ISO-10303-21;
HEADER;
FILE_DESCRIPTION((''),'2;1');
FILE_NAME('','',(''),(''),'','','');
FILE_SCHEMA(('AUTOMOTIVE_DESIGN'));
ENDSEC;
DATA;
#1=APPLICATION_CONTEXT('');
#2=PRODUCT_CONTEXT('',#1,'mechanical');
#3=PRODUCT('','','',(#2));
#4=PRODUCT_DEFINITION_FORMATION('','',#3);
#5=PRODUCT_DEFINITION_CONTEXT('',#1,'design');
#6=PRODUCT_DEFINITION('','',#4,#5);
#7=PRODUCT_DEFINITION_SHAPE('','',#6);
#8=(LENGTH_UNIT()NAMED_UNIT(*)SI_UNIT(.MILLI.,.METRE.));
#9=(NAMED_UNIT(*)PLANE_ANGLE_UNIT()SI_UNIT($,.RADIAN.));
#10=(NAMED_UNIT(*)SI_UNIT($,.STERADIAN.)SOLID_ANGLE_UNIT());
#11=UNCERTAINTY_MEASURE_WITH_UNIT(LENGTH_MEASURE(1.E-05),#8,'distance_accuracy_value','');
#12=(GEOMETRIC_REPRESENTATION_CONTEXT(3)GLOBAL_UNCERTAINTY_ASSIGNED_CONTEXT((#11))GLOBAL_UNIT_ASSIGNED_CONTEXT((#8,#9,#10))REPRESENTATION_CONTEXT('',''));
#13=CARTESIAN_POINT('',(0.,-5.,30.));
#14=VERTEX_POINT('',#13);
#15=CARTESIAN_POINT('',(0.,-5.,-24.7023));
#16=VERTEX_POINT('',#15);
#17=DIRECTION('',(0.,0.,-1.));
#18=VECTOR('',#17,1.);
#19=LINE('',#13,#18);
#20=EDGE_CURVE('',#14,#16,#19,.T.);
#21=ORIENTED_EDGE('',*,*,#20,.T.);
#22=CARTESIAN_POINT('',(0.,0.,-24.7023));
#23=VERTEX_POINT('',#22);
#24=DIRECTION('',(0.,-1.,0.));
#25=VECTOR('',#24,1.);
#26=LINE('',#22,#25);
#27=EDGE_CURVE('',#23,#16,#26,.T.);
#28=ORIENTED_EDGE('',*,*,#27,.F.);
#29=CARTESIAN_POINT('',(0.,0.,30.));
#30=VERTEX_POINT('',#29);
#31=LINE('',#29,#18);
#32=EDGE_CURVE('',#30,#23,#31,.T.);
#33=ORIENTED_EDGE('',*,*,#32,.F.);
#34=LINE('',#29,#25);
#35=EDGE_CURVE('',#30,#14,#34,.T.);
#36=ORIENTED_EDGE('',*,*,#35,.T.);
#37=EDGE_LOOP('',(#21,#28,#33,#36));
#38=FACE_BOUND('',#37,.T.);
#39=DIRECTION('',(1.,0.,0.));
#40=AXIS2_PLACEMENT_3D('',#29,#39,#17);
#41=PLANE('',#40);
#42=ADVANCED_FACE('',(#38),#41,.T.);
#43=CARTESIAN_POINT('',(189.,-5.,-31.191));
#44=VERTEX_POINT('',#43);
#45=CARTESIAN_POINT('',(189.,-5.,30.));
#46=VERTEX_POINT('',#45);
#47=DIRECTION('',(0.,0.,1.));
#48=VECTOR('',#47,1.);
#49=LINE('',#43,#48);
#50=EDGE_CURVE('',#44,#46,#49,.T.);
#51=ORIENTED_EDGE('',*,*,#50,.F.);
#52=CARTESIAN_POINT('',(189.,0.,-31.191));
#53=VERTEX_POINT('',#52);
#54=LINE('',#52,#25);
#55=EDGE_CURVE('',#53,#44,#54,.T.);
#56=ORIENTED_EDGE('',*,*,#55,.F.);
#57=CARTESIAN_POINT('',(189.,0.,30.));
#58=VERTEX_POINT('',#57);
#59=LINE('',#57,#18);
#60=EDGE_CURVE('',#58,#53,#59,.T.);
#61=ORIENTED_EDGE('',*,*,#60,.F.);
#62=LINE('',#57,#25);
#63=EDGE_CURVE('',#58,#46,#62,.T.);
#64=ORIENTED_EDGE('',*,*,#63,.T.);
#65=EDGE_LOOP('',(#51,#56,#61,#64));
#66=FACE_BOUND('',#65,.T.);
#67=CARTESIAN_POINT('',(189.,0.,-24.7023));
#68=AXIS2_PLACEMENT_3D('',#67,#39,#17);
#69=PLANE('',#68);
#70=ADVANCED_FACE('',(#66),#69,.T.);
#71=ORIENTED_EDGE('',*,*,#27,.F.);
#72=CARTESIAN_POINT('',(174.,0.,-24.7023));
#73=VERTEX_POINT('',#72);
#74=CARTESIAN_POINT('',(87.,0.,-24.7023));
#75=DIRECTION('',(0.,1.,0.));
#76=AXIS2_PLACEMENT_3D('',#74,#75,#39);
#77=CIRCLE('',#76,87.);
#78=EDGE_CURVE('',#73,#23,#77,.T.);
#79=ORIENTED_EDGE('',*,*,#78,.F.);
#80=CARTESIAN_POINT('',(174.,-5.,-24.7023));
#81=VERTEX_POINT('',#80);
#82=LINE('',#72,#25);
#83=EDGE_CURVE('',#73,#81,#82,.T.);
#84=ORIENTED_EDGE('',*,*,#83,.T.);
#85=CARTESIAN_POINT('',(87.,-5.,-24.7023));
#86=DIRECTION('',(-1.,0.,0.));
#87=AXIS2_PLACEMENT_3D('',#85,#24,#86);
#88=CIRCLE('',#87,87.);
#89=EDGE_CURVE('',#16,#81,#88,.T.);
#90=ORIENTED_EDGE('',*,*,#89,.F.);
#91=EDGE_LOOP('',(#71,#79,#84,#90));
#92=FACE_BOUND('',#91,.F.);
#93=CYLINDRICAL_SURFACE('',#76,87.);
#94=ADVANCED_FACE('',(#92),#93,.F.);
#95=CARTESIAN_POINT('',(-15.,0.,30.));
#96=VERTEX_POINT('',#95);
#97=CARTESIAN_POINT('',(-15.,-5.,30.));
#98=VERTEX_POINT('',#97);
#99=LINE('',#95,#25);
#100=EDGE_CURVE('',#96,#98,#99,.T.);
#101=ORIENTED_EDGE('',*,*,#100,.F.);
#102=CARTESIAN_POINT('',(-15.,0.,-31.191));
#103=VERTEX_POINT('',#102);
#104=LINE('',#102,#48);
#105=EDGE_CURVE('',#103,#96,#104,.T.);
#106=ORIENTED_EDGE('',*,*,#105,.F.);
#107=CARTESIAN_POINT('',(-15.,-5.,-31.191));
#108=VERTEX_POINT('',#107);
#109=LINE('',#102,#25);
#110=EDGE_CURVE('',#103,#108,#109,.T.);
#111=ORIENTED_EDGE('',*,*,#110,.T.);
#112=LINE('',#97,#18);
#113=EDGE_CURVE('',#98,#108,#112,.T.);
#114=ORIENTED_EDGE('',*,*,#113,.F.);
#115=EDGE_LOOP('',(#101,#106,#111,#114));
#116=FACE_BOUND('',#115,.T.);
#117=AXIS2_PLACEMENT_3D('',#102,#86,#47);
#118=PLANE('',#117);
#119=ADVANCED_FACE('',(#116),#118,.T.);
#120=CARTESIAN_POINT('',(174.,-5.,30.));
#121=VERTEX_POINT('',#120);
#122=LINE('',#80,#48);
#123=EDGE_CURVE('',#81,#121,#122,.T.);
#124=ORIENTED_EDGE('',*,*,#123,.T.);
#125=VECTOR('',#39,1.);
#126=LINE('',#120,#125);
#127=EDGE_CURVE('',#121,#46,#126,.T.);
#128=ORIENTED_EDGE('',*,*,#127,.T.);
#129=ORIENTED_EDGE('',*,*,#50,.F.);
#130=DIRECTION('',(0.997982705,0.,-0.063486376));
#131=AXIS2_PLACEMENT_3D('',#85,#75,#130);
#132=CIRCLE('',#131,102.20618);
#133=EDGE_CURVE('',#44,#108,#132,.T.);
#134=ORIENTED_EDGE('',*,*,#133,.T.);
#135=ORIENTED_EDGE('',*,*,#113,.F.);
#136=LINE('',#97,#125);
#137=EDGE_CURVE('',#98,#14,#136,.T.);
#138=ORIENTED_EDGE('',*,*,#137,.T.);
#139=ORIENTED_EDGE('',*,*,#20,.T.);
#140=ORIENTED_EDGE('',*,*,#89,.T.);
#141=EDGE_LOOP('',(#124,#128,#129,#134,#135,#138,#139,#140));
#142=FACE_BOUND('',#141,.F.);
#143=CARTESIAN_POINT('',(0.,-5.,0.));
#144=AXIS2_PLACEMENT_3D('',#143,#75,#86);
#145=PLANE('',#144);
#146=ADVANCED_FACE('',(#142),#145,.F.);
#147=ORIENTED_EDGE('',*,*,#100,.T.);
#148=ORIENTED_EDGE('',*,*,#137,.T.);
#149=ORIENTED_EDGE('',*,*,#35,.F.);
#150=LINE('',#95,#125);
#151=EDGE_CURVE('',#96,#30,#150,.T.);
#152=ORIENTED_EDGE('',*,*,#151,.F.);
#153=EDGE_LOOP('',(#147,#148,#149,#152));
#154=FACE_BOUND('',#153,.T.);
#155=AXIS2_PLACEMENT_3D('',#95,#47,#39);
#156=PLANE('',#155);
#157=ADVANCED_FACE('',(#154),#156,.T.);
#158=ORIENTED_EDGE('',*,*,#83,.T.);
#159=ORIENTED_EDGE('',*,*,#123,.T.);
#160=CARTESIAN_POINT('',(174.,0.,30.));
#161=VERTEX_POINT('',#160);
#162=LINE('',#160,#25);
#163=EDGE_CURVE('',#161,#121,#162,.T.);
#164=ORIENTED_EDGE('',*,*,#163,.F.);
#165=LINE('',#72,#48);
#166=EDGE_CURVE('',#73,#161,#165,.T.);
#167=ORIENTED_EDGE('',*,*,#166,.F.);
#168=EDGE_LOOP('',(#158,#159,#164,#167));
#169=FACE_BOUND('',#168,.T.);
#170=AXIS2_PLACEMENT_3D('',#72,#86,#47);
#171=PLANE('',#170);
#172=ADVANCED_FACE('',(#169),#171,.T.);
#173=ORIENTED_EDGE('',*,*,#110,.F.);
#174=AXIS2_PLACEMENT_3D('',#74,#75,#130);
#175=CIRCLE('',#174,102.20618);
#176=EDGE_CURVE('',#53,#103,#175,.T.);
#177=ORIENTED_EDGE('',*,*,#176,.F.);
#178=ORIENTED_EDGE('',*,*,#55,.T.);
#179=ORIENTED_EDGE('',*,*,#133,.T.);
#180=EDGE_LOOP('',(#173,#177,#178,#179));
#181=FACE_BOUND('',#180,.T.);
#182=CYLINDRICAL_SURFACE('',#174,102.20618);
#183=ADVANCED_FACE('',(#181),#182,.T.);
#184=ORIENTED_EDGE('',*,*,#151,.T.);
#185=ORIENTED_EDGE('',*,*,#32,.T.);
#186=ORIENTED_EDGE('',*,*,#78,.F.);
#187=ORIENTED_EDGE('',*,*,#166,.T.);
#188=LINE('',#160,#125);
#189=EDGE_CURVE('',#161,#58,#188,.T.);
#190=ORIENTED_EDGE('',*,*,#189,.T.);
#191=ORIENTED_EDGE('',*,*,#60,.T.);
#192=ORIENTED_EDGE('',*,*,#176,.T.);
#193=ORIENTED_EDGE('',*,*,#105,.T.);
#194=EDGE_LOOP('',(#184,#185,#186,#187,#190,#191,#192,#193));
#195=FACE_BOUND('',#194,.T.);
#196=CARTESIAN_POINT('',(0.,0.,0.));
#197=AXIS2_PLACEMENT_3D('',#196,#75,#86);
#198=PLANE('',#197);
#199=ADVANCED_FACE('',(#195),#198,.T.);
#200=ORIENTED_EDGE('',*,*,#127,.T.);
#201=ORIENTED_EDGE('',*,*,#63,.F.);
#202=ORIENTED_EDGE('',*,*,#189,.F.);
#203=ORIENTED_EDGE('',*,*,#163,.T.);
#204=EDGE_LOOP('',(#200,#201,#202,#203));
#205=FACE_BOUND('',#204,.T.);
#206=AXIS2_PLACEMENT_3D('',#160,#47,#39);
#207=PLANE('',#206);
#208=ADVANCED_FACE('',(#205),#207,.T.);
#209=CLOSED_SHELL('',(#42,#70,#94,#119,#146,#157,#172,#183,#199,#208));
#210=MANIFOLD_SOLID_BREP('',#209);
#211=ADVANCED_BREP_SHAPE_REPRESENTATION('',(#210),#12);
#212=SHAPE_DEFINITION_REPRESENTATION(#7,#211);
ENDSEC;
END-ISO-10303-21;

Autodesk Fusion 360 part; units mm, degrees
sketch "Sketch1" plane through (0, 0, 0) normal (0, 1, 0) x (1, 0, 0)
  line L0 (0, 0) -> (174, 0)
  line L1 (174, 0) -> (174, 102)
  line L2 (174, 102) -> (0, 102)
  line L3 (0, 102) -> (0, 0)
  line L4 (87, 102) -> (87, 0) construction
  arc A0 (26, 54) -> (0, 0) centre (69.0769, 0) ccw
  arc A1 (65, 80) -> (26, 54) centre (197.4493, -160.9239) ccw
  arc A2 (148, 54) -> (109, 80) centre (-23.4493, -160.9239) ccw
  arc A3 (174, 0) -> (148, 54) centre (104.9231, 0) ccw
  arc A4 (109, 80) -> (65, 80) centre (87, 80) ccw
  arc A5 (184, 0) -> (154.2361, 61.8174) centre (104.9231, 0) ccw
  arc A6 (154.2361, 61.8174) -> (118.3954, 86.1912) centre (-23.4493, -160.9239) ccw
  arc A7 (118.3954, 86.1912) -> (55.6046, 86.1912) centre (87, 80) ccw
  arc A8 (55.6046, 86.1912) -> (19.7639, 61.8174) centre (197.4493, -160.9239) ccw
  arc A9 (19.7639, 61.8174) -> (-10, 0) centre (69.0769, 0) ccw
  line L5 (-10, 0) -> (0, 0)
  line L6 (0, 0) -> (0, -30)
  line L7 (0, -30) -> (-10, -30)
  line L8 (-10, -30) -> (-10, 0)
  line L9 (174, 0) -> (184, 0)
  line L10 (184, 0) -> (184, -30)
  line L11 (184, -30) -> (174, -30)
  line L12 (174, -30) -> (174, 0)
  point P0 (26, 54)
  point P1 (65, 80)
  point P2 (148, 54)
  point P3 (109, 80)
  dimension "d1" = 174
  dimension "d2" = 102
  dimension "d3" = 54
  dimension "d5" = 61
  dimension "d6" = 22
  dimension "d7" = 80
  dimension "d8" = 10
  dimension "d9" = 30
  dimension "d10" = 30
sketch "Sketch2" plane through (0, 0, 0) normal (0, 1, 0) x (1, 0, 0)
  arc A0 (26, 54) -> (0, 0) centre (69.0769, 0) ccw
  arc A1 (65, 80) -> (26, 54) centre (197.4493, -160.9239) ccw
  arc A2 (109, 80) -> (65, 80) centre (87, 80) ccw
  arc A3 (148, 54) -> (109, 80) centre (-23.4493, -160.9239) ccw
  arc A4 (174, 0) -> (148, 54) centre (104.9231, 0) ccw
  line L0 (174, -30) -> (174, 0)
  line L1 (184, -30) -> (174, -30)
  line L2 (184, 0) -> (184, -30)
  arc A5 (184, 0) -> (154.2361, 61.8174) centre (104.9231, 0) ccw
  arc A6 (154.2361, 61.8174) -> (118.3954, 86.1912) centre (-23.4493, -160.9239) ccw
  arc A7 (118.3954, 86.1912) -> (55.6046, 86.1912) centre (87, 80) ccw
  arc A8 (55.6046, 86.1912) -> (19.7639, 61.8174) centre (197.4493, -160.9239) ccw
  arc A9 (19.7639, 61.8174) -> (-10, 0) centre (69.0769, 0) ccw
  line L3 (-10, -30) -> (-10, 0)
  line L4 (0, -30) -> (-10, -30)
  line L5 (0, 0) -> (0, -30)
sketch "Sketch3" plane through (0, 0, 0) normal (0, 1, 0) x (1, 0, 0)
  arc A0 (118.3954, 86.1912) -> (55.6046, 86.1912) centre (87, 80) ccw
  arc A1 (55.6046, 86.1912) -> (19.7639, 61.8174) centre (197.4493, -160.9239) ccw
  arc A2 (19.7639, 61.8174) -> (-10, 0) centre (69.0769, 0) ccw
  line L0 (-10, -30) -> (-10, 0)
  arc A3 (154.2361, 61.8174) -> (118.3954, 86.1912) centre (-23.4493, -160.9239) ccw
  arc A4 (184, 0) -> (154.2361, 61.8174) centre (104.9231, 0) ccw
  line L1 (184, 0) -> (184, -30)
  line L2 (184, -30) -> (174, -30)
  line L3 (0, -30) -> (-10, -30)
  line L4 (0, 0) -> (0, -30)
  arc A5 (26, 54) -> (0, 0) centre (69.0769, 0) ccw
  arc A6 (65, 80) -> (26, 54) centre (197.4493, -160.9239) ccw
  arc A7 (109, 80) -> (65, 80) centre (87, 80) ccw
  arc A8 (148, 54) -> (109, 80) centre (-23.4493, -160.9239) ccw
  arc A9 (174, 0) -> (148, 54) centre (104.9231, 0) ccw
  line L5 (174, -30) -> (174, 0)
  line L6 (-10, -30) -> (-10, 35.6948)
  line L7 (-10, 35.6948) -> (87, 123.0677)
  line L8 (87, 123.0677) -> (184, 35.6948)
  line L9 (184, 35.6948) -> (184, -30)
  line L10 (-10, -30) -> (0, -30)
  line L11 (0, 24.7023) -> (87, 103.0677)
  line L12 (87, 103.0677) -> (174, 24.7023)
  line L13 (0, 24.7023) -> (0, -30)
  line L14 (174, 24.7023) -> (174, -30)
  line L15 (-10, -30) -> (0, -30)
  line L16 (174, -30) -> (184, -30)
  line L17 (184, -30) -> (189, -30)
  line L18 (189, -30) -> (189, 31.191)
  line L19 (189, 31.191) -> (184, 35.6948)
  line L20 (-10, 35.6948) -> (-15, 31.191)
  line L21 (-15, 31.191) -> (-15, -30)
  line L22 (-15, -30) -> (-10, -30)
  dimension "d11" = 20
  dimension "d14" = 5
  dimension "d15" = 5
extrude "Extrude1" add sketch "Sketch3" along normal blind 5 contours A0 A1 A2 L0 A3 A4 L1 L2 L3 L4 A5 A6 A7 A8 A9 L5 L6 L9 L10 L11 L12 L13 L14 L15 L16 | A0 A3 A4 L8 L9 | A0 L7 L8 | A0 A1 A2 L6 L7 | L1 L9 L17 L18 L19 | L0 L6 L20 L21 L22 | A8 A9 L12 | A5 A6 L11 | A7 L12 | A7 L11 makes body 1
sketch "Sketch4" plane through (0, 0, 0) normal (0, 1, 0) x (-1, 0, 0)
  line L0 (-87, -123.0677) -> (15, -31.191)
  line L1 (15, -31.191) -> (15, 30)
  line L2 (15, 30) -> (0, 30)
  line L3 (0, 30) -> (0, -24.7023)
  line L4 (0, -24.7023) -> (-87, -103.0677)
  line L5 (-87, -103.0677) -> (-174, -24.7023)
  line L6 (-174, -24.7023) -> (-174, 30)
  line L7 (-174, 30) -> (-189, 30)
  line L8 (-189, 30) -> (-189, -31.191)
  line L9 (-189, -31.191) -> (-87, -123.0677)
  line L10 (0, -24.7023) -> (-174, -24.7023)
  arc A0 (-189, -31.191) -> (15, -31.191) centre (-87, -24.7023) ccw
  arc A1 (-174, -24.7023) -> (0, -24.7023) centre (-87, -24.7023) ccw
  line L11 (0, -24.7023) -> (15, -24.7023)
  line L12 (15, -24.7023) -> (15, 30)
  line L13 (15, 30) -> (0, 30)
  line L14 (0, 30) -> (0, -24.7023)
  line L15 (-174, -24.7023) -> (-189, -24.7023)
  line L16 (-189, -24.7023) -> (-189, 30)
  line L17 (-189, 30) -> (-174, 30)
  line L18 (-174, 30) -> (-174, -24.7023)
  line L19 (15, -31.191) -> (15, -24.7023)
  line L20 (-189, -24.7023) -> (-189, -31.191)
  point P0 (-87, -24.7023)
extrude "Extrude2" add sketch "Sketch4" against normal blind 5 separate body contours L0 L9 A1 | L0 L9 A0 A1 | L0 L1 A1 L11 L19 | L8 L9 A1 L15 L20 | L1 L2 L3 L11 L12 L13 L14 | L6 L7 L8 L15 L16 L17 L18 makes body 2
hidden bodies 1
